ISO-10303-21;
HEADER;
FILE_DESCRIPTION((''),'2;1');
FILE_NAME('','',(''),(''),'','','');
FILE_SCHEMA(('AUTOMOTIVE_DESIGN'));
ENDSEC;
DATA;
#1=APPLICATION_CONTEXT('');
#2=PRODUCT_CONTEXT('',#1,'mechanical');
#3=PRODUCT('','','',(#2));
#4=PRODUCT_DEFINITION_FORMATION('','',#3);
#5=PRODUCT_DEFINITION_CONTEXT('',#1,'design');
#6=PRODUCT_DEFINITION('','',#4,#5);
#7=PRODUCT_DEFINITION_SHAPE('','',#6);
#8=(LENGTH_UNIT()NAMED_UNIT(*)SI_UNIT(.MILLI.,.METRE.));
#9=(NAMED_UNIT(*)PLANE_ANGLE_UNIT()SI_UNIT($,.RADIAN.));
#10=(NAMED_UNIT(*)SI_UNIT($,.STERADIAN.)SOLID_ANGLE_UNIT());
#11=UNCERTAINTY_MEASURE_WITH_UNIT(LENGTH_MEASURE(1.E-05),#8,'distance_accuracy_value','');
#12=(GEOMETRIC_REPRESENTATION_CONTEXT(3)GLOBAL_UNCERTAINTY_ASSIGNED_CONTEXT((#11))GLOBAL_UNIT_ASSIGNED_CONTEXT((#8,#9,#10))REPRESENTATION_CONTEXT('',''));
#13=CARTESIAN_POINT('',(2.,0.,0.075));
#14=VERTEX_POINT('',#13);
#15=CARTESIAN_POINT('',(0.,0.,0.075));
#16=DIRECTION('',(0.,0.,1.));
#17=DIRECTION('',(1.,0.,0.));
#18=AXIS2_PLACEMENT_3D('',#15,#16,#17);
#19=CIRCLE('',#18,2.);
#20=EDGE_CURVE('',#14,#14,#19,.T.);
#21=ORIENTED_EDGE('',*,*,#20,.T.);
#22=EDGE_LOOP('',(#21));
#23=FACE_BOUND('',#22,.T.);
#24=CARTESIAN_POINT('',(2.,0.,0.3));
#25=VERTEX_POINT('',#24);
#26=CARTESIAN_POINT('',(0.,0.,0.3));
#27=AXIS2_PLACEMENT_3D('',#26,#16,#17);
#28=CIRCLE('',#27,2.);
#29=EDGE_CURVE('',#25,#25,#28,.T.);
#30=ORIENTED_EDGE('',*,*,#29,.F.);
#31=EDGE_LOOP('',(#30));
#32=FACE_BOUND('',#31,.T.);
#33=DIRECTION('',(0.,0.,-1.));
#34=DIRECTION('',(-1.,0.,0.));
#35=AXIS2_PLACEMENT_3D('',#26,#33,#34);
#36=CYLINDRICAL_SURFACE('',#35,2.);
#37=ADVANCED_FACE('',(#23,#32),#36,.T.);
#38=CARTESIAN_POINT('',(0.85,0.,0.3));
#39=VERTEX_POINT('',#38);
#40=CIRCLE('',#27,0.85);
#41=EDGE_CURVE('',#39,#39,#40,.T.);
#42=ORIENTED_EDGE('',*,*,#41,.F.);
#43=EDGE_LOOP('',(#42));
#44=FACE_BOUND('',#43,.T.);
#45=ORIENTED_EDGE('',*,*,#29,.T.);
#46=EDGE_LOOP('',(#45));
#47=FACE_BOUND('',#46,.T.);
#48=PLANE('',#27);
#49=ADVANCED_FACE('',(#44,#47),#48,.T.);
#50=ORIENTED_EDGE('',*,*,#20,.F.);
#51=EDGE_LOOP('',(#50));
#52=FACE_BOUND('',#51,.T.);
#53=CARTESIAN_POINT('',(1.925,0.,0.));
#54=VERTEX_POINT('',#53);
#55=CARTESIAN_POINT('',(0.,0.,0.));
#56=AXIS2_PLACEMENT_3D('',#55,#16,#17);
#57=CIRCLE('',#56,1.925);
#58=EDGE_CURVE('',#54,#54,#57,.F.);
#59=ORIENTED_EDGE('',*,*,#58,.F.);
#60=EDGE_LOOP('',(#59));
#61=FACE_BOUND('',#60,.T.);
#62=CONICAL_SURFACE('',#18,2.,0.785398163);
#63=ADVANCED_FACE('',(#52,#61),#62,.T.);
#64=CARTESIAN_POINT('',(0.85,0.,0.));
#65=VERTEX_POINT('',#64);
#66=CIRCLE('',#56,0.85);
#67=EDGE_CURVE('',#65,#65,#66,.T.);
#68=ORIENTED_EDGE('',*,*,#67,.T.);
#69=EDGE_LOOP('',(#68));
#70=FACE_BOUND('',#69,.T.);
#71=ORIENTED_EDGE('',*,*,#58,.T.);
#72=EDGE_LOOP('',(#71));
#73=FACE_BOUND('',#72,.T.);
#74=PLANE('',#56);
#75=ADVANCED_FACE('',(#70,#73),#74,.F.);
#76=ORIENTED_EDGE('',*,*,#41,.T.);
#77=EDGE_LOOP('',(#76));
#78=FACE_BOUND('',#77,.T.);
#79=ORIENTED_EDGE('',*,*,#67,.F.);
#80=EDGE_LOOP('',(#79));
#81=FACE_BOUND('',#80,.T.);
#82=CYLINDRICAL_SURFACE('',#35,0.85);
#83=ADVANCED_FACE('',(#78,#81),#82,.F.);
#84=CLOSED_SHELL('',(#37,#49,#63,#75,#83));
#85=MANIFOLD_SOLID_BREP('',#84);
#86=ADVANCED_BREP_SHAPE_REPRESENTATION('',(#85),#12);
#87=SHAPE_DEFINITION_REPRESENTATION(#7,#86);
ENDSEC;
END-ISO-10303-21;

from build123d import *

# Parameters (mm, degrees)
SKICA1_R        = 2
SKICA1_R_2      = 0.85
VYSUNOUT1_DEPTH = 0.3
ZKOSIT1_SIZE    = 0.075


with BuildPart() as part:
    # Skica1 → Vysunout1 (new body)
    with BuildSketch(Plane.XY):
        Circle(SKICA1_R)
        Circle(SKICA1_R_2, mode=Mode.SUBTRACT)
    extrude(amount=VYSUNOUT1_DEPTH)

    # Zkosit1
    zkosit1_edges = [part.edges().sort_by_distance(p)[0] for p in [
        (-2, 0, 0),
    ]]
    chamfer(zkosit1_edges, length=ZKOSIT1_SIZE)


solid = part.part
